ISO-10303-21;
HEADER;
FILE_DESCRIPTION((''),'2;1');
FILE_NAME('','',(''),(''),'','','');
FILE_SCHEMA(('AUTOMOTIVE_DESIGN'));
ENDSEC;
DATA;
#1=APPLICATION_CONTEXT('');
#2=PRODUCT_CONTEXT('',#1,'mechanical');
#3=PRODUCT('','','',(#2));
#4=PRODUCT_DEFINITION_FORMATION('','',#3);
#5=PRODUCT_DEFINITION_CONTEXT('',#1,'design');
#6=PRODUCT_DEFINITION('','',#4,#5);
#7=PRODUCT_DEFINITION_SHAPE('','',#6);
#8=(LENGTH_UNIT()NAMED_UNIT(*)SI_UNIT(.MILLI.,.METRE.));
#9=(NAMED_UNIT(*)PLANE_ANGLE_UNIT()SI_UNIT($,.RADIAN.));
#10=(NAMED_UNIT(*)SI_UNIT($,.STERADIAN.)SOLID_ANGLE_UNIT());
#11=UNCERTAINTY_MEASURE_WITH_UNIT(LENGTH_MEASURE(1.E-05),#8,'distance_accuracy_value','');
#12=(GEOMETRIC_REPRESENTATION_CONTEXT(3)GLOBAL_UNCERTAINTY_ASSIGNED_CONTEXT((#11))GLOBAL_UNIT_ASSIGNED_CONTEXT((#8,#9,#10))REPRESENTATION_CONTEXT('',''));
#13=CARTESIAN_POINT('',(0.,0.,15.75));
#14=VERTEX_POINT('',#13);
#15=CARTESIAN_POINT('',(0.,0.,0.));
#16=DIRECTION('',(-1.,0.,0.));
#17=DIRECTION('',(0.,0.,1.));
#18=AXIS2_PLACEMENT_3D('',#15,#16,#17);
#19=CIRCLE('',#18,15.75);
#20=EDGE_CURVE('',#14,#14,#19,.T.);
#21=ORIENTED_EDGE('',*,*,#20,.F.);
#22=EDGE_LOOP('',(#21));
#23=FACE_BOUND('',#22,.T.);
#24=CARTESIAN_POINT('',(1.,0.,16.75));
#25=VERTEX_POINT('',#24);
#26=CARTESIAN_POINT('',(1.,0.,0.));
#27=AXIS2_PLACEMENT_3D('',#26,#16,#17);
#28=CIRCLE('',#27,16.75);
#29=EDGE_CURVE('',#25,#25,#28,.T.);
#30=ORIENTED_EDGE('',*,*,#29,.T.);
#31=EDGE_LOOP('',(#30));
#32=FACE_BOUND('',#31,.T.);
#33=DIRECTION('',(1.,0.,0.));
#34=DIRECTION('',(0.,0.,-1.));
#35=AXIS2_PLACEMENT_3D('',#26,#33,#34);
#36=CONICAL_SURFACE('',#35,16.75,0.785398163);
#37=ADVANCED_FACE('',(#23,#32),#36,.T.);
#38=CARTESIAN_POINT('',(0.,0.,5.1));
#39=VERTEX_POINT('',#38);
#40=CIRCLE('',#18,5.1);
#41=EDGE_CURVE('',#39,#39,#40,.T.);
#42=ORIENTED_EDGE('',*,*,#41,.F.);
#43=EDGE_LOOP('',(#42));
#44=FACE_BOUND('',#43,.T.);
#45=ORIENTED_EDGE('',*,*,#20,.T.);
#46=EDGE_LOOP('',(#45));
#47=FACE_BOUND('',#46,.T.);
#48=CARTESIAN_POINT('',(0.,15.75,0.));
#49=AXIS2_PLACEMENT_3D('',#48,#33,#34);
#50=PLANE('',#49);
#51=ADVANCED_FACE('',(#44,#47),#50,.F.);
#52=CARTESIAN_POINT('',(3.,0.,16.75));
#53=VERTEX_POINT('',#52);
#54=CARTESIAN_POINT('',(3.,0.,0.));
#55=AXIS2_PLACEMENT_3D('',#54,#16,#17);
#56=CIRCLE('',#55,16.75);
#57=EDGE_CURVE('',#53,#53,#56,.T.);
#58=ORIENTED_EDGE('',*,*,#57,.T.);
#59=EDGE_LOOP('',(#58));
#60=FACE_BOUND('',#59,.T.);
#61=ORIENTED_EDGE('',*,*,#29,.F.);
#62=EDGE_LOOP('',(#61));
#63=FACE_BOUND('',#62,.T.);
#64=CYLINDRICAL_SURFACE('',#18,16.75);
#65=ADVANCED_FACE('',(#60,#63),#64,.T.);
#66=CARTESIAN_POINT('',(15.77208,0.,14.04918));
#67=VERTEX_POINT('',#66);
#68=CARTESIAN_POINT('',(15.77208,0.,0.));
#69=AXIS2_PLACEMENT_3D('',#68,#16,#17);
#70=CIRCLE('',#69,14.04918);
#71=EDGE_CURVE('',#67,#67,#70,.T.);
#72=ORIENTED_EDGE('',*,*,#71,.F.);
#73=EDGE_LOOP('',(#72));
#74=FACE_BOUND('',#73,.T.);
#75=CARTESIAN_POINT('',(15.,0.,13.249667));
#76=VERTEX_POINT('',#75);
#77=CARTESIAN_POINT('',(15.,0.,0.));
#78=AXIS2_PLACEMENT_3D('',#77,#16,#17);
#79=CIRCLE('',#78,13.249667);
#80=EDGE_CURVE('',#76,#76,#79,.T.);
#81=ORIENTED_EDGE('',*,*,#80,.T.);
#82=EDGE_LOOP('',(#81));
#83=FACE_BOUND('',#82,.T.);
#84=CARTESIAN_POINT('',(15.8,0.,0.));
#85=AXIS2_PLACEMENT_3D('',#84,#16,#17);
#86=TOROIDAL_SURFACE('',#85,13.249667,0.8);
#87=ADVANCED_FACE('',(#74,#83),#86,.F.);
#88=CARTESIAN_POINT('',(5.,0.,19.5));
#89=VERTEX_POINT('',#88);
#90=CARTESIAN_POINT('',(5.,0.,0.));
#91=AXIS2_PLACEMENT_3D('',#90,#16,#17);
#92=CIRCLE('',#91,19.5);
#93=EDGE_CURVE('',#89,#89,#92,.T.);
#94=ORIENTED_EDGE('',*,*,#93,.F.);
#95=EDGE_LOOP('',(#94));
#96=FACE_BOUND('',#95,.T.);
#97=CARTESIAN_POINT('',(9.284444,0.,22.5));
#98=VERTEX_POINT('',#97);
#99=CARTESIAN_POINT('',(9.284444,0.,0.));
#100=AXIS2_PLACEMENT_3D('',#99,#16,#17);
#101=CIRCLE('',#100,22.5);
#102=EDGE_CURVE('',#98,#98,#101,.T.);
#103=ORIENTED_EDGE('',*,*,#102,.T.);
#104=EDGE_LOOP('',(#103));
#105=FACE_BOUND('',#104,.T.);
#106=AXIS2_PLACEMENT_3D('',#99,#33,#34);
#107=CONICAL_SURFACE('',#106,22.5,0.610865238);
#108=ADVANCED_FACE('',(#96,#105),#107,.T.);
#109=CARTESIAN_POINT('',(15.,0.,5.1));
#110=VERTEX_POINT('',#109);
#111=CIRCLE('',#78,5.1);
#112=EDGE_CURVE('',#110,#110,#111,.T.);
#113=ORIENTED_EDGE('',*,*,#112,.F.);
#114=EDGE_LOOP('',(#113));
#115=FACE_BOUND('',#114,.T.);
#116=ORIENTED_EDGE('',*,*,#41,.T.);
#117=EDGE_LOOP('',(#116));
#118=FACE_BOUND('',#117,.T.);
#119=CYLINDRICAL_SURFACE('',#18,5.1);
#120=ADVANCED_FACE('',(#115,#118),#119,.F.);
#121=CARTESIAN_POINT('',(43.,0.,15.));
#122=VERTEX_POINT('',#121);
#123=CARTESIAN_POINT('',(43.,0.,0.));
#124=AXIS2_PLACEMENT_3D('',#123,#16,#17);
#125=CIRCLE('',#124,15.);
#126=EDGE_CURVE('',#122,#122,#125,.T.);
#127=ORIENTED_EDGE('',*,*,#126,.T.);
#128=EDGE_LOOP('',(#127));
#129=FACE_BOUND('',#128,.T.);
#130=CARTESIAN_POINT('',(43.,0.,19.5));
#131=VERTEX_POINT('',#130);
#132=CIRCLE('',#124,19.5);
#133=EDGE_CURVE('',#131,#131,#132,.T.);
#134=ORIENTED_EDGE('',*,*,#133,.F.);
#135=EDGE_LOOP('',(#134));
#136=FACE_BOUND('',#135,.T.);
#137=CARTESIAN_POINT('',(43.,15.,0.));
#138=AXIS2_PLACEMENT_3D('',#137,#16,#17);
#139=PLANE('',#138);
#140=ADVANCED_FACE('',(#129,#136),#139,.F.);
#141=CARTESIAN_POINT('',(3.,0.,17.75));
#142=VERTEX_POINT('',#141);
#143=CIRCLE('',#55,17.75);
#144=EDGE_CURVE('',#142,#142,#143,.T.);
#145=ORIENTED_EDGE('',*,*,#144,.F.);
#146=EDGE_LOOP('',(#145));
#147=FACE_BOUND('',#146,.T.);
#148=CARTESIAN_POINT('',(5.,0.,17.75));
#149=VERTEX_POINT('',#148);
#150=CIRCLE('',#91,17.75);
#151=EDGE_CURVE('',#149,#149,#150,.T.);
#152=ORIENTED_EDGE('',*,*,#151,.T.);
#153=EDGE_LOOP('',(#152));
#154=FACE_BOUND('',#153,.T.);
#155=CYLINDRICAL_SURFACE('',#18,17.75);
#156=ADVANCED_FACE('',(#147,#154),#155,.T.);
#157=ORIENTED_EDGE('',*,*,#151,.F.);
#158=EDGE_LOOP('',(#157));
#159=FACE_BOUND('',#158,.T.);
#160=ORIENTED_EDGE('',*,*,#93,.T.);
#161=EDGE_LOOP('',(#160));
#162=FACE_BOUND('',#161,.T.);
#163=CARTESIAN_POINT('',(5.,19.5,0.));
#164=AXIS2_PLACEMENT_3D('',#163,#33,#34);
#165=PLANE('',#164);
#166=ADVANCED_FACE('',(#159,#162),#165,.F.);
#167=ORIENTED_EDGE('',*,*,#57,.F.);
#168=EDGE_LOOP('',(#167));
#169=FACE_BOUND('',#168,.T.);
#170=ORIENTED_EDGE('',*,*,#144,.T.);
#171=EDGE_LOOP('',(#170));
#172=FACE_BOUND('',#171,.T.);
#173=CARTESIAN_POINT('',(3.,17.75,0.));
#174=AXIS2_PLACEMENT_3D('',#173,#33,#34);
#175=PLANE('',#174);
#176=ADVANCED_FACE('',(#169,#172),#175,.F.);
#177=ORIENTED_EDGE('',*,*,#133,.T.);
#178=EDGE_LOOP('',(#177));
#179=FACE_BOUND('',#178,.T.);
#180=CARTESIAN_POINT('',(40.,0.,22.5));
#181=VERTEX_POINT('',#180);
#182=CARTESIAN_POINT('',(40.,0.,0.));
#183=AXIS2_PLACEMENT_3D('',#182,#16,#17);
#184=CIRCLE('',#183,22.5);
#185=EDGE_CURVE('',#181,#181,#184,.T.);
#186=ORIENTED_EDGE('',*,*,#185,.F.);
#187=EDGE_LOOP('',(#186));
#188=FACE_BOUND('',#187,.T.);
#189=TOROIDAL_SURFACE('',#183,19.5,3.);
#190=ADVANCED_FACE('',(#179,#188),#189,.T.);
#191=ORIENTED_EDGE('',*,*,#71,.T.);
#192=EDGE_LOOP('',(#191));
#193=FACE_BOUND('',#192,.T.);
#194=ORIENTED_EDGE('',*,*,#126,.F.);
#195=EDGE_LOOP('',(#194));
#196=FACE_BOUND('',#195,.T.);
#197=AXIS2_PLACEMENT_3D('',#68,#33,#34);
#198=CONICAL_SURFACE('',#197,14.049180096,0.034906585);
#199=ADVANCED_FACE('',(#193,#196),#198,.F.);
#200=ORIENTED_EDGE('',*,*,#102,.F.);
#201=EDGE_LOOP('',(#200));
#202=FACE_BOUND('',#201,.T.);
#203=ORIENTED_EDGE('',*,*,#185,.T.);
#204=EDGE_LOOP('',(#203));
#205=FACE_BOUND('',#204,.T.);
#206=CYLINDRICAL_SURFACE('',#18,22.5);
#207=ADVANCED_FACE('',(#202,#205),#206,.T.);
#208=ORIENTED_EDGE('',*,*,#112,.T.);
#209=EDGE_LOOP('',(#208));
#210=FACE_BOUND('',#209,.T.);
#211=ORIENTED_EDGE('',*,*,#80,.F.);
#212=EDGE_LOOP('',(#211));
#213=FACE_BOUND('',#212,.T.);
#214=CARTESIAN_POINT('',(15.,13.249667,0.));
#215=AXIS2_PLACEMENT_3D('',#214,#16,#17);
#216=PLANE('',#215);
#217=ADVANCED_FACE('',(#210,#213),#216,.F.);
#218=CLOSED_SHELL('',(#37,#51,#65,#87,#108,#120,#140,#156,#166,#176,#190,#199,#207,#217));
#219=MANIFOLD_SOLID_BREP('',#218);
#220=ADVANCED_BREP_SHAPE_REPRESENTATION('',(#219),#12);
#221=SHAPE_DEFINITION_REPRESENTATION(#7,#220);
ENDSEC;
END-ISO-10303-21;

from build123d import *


with BuildPart() as part:
    # Sketch1 → Revolve1 (revolve)
    with BuildSketch(Plane.XY):
        with BuildLine():
            Line((1, 16.75), (0, 15.75))
            Line((0, 15.75), (0, 5.1))
            Line((0, 5.1), (15, 5.1))
            Line((15, 5.1), (15, 13.249667434))
            ThreePointArc((15, 13.249667434), (15.22452816, 13.805394131), (15.772080403, 14.049180096))
            Line((15.772080403, 14.049180096), (43, 15))
            Line((43, 15), (43, 19.5))
            ThreePointArc((43, 19.5), (42.121320344, 21.621320344), (40, 22.5))
            Line((40, 22.5), (9.28444402, 22.5))
            Line((9.28444402, 22.5), (5, 19.5))
            Line((5, 19.5), (5, 17.75))
            Line((5, 17.75), (3, 17.75))
            Line((3, 17.75), (3, 16.75))
            Line((3, 16.75), (1, 16.75))
        make_face()
    revolve(axis=Axis((0, 0, 0), (1, 0, 0)))


solid = part.part
